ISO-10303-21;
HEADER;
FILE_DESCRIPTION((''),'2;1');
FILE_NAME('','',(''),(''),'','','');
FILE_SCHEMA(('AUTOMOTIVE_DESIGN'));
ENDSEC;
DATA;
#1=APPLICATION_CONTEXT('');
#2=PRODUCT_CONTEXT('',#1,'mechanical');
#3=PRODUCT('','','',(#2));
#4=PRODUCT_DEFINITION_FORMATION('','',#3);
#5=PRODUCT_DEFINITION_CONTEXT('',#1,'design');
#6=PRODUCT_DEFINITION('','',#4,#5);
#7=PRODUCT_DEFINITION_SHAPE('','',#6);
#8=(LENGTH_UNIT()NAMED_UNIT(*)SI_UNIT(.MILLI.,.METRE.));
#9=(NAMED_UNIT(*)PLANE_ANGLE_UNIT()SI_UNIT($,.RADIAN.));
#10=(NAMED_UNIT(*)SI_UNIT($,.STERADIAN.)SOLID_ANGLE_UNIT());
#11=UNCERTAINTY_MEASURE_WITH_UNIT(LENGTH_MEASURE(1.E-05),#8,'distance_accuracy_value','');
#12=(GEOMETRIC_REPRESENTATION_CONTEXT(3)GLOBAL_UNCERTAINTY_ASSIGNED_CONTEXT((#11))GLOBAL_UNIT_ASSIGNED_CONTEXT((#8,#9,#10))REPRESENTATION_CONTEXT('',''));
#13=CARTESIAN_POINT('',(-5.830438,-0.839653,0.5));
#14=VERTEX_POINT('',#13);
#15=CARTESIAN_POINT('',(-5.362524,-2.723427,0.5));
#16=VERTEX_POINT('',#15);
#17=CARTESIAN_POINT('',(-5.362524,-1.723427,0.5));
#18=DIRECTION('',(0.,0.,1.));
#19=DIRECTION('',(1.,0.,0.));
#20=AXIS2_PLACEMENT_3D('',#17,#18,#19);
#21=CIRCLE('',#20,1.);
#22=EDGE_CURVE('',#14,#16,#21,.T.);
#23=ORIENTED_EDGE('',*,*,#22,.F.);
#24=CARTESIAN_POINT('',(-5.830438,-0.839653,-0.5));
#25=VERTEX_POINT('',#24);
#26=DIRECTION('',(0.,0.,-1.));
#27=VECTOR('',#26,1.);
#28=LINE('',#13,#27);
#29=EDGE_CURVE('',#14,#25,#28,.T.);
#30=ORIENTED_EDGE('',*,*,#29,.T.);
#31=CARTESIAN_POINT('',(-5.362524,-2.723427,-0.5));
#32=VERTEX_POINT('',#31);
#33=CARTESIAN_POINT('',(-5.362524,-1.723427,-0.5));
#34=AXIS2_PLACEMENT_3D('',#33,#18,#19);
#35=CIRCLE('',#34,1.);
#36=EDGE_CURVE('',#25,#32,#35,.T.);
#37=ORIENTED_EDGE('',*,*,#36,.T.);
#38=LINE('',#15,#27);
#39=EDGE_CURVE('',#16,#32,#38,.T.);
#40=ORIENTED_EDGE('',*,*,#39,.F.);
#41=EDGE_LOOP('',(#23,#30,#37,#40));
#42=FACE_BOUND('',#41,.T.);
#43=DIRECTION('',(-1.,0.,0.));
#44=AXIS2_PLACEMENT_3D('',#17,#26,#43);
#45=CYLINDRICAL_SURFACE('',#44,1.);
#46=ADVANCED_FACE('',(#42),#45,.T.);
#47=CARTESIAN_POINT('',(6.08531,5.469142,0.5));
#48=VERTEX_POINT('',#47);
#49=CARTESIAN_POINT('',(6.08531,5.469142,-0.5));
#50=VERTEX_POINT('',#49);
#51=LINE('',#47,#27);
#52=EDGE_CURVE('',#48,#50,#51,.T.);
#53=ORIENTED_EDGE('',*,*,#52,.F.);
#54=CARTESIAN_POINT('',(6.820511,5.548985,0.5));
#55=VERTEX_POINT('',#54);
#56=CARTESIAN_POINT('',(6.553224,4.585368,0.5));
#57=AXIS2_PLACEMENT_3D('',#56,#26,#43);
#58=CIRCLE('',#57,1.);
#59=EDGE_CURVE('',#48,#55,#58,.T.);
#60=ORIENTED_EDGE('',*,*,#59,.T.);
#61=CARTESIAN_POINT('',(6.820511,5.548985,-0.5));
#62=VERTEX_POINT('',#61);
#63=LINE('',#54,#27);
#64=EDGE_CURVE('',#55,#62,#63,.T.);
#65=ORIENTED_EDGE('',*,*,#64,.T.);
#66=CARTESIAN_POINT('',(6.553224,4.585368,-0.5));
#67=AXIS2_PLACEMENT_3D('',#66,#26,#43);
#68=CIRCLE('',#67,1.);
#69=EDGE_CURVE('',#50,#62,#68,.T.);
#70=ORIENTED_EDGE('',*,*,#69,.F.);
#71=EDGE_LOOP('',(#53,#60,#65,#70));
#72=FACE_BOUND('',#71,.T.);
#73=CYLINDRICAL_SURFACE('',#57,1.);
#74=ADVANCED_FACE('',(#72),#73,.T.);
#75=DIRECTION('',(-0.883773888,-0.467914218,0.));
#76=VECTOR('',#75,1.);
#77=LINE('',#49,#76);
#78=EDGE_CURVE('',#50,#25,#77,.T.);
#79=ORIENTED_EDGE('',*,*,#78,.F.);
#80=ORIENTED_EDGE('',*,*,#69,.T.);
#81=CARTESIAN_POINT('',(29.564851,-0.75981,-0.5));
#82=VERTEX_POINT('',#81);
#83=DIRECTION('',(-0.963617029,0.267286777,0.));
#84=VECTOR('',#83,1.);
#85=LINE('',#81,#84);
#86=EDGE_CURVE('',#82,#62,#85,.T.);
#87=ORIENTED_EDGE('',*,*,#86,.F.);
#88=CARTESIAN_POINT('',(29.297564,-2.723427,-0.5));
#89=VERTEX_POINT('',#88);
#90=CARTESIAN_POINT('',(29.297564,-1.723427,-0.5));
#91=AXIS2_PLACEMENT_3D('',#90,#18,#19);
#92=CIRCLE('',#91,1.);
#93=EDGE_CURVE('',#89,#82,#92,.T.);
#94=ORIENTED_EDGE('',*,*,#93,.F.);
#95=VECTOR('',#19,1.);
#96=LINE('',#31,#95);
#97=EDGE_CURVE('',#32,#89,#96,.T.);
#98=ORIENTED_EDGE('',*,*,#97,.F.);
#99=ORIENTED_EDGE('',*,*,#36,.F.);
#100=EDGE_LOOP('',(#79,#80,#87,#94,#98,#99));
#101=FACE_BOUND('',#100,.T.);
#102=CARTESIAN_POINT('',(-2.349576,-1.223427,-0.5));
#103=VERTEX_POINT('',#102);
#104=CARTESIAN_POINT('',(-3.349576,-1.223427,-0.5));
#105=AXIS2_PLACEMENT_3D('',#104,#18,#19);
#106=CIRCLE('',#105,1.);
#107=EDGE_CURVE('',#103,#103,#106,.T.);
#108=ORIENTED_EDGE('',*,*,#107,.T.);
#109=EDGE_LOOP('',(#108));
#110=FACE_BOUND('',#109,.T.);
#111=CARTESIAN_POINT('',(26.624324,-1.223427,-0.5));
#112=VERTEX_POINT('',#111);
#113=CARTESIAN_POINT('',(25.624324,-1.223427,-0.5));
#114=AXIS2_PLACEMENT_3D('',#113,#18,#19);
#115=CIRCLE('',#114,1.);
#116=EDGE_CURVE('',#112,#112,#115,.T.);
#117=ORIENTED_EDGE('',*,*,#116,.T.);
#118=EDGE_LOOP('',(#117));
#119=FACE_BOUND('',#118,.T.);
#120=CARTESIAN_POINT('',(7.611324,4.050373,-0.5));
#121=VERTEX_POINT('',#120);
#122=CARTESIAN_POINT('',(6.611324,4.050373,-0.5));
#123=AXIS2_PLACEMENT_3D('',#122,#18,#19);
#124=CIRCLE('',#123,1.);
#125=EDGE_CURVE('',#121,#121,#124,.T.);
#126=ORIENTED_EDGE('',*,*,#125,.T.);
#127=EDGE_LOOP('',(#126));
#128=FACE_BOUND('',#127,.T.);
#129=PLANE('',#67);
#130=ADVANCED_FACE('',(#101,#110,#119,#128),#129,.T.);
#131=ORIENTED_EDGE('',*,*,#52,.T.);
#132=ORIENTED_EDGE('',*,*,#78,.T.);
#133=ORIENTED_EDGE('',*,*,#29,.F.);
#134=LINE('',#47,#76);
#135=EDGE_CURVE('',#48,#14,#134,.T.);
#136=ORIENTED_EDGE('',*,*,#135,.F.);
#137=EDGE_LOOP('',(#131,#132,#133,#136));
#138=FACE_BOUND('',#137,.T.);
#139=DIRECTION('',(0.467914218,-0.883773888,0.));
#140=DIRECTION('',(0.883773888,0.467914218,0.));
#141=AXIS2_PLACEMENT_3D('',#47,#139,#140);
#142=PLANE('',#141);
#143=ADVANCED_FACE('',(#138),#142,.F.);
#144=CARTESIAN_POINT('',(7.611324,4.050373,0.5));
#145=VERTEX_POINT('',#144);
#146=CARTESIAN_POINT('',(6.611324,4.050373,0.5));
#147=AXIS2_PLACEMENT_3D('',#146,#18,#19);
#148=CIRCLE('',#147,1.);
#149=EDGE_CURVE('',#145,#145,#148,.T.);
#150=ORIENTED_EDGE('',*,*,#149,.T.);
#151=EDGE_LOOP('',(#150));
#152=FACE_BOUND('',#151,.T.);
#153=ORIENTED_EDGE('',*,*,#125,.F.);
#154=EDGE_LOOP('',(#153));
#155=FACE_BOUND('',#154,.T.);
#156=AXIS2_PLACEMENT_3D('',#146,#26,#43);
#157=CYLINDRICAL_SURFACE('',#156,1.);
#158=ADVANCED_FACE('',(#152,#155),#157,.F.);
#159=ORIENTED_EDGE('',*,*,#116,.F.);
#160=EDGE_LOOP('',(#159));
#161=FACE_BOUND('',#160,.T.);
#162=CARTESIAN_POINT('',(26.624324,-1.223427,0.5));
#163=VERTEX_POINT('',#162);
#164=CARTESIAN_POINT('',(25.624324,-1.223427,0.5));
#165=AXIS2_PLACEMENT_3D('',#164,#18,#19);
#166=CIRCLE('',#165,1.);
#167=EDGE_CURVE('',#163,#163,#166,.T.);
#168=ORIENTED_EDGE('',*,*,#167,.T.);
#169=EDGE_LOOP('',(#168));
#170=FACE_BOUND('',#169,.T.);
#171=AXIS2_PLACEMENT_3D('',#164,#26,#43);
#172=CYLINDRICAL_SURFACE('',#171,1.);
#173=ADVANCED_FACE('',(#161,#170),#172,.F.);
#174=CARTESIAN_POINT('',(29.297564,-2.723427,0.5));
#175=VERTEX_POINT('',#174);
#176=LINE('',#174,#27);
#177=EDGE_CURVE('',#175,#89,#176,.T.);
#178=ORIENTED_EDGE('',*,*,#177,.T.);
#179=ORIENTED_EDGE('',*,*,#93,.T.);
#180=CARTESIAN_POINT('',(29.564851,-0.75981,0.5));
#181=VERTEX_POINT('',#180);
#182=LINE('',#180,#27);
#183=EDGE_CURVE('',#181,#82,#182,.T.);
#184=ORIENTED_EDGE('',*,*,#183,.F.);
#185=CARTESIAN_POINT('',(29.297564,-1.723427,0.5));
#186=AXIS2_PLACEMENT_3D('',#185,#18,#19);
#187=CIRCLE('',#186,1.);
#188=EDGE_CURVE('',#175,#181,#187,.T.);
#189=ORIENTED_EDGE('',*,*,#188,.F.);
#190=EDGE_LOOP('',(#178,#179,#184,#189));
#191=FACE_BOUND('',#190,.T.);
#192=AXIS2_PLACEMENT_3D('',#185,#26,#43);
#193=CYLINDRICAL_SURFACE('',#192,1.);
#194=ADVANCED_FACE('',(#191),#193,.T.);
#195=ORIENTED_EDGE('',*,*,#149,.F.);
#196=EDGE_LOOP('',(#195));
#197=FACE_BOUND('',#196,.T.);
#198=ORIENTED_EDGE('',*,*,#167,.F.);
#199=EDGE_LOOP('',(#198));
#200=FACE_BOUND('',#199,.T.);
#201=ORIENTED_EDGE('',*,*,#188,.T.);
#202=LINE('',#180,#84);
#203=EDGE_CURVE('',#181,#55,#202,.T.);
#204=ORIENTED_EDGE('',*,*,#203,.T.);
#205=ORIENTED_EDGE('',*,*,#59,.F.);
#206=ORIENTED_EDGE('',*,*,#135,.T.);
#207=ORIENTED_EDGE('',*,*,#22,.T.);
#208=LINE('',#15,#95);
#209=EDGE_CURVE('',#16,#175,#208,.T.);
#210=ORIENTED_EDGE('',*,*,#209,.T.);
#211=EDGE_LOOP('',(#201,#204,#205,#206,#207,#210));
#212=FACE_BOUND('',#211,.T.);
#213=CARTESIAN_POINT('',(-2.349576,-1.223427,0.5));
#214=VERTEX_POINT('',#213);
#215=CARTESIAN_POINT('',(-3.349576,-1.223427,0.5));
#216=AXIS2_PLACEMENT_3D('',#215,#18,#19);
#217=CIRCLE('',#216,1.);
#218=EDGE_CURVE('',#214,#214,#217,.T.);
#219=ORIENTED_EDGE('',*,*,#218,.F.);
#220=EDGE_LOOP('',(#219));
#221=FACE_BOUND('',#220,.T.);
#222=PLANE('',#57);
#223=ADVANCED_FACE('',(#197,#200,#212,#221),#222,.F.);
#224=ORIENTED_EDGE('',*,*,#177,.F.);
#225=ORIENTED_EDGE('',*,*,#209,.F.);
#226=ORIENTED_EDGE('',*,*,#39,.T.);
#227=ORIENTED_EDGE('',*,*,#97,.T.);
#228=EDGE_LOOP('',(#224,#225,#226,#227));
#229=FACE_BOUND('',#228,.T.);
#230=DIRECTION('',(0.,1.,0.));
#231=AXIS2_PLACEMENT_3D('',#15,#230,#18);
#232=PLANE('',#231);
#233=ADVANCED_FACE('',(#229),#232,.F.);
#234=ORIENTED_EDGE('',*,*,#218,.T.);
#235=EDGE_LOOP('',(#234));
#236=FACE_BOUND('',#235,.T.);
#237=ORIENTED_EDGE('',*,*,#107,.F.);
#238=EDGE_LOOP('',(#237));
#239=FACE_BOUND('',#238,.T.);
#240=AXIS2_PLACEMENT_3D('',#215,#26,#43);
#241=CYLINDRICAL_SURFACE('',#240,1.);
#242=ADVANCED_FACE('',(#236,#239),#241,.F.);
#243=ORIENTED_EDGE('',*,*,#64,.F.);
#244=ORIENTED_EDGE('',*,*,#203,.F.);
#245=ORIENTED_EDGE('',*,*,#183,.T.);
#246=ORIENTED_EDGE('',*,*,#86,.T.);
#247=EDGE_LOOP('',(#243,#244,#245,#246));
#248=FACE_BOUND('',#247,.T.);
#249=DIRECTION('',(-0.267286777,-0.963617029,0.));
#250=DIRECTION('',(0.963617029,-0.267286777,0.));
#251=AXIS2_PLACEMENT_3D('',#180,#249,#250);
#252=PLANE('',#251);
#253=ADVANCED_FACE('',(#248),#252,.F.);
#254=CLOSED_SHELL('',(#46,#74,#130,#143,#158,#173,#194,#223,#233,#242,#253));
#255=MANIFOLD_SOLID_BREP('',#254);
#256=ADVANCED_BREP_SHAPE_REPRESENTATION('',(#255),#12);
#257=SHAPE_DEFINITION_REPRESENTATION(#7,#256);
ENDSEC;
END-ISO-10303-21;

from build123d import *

# Parameters (mm, degrees)
SKETCH1_R           = 1
BOSS_EXTRUDE1_DEPTH = 0.5


with BuildPart() as part:
    # Sketch1 → Boss-Extrude1 (new, symmetric)
    with BuildSketch(Plane.XY):
        with BuildLine():
            Line((6.085309509, 5.469141511), (-5.830437798, -0.839652689))
            ThreePointArc((-5.830437798, -0.839652689), (-6.333032181, -1.964493074), (-5.362523581, -2.723426577))
            Line((-5.362523581, -2.723426577), (29.297564453, -2.723426577))
            ThreePointArc((29.297564453, -2.723426577), (30.288426963, -1.858302391), (29.56485123, -0.759809547))
            Line((29.56485123, -0.759809547), (6.820510503, 5.548984653))
            ThreePointArc((6.820510503, 5.548984653), (6.44525811, 5.579522252), (6.085309509, 5.469141511))
        make_face()
        with Locations((6.611324324, 4.050373423)):
            Circle(SKETCH1_R, mode=Mode.SUBTRACT)
        with Locations((-3.349575676, -1.223426577)):
            Circle(SKETCH1_R, mode=Mode.SUBTRACT)
        with Locations((25.624324324, -1.223426577)):
            Circle(SKETCH1_R, mode=Mode.SUBTRACT)
    extrude(amount=BOSS_EXTRUDE1_DEPTH, both=True)


solid = part.part
